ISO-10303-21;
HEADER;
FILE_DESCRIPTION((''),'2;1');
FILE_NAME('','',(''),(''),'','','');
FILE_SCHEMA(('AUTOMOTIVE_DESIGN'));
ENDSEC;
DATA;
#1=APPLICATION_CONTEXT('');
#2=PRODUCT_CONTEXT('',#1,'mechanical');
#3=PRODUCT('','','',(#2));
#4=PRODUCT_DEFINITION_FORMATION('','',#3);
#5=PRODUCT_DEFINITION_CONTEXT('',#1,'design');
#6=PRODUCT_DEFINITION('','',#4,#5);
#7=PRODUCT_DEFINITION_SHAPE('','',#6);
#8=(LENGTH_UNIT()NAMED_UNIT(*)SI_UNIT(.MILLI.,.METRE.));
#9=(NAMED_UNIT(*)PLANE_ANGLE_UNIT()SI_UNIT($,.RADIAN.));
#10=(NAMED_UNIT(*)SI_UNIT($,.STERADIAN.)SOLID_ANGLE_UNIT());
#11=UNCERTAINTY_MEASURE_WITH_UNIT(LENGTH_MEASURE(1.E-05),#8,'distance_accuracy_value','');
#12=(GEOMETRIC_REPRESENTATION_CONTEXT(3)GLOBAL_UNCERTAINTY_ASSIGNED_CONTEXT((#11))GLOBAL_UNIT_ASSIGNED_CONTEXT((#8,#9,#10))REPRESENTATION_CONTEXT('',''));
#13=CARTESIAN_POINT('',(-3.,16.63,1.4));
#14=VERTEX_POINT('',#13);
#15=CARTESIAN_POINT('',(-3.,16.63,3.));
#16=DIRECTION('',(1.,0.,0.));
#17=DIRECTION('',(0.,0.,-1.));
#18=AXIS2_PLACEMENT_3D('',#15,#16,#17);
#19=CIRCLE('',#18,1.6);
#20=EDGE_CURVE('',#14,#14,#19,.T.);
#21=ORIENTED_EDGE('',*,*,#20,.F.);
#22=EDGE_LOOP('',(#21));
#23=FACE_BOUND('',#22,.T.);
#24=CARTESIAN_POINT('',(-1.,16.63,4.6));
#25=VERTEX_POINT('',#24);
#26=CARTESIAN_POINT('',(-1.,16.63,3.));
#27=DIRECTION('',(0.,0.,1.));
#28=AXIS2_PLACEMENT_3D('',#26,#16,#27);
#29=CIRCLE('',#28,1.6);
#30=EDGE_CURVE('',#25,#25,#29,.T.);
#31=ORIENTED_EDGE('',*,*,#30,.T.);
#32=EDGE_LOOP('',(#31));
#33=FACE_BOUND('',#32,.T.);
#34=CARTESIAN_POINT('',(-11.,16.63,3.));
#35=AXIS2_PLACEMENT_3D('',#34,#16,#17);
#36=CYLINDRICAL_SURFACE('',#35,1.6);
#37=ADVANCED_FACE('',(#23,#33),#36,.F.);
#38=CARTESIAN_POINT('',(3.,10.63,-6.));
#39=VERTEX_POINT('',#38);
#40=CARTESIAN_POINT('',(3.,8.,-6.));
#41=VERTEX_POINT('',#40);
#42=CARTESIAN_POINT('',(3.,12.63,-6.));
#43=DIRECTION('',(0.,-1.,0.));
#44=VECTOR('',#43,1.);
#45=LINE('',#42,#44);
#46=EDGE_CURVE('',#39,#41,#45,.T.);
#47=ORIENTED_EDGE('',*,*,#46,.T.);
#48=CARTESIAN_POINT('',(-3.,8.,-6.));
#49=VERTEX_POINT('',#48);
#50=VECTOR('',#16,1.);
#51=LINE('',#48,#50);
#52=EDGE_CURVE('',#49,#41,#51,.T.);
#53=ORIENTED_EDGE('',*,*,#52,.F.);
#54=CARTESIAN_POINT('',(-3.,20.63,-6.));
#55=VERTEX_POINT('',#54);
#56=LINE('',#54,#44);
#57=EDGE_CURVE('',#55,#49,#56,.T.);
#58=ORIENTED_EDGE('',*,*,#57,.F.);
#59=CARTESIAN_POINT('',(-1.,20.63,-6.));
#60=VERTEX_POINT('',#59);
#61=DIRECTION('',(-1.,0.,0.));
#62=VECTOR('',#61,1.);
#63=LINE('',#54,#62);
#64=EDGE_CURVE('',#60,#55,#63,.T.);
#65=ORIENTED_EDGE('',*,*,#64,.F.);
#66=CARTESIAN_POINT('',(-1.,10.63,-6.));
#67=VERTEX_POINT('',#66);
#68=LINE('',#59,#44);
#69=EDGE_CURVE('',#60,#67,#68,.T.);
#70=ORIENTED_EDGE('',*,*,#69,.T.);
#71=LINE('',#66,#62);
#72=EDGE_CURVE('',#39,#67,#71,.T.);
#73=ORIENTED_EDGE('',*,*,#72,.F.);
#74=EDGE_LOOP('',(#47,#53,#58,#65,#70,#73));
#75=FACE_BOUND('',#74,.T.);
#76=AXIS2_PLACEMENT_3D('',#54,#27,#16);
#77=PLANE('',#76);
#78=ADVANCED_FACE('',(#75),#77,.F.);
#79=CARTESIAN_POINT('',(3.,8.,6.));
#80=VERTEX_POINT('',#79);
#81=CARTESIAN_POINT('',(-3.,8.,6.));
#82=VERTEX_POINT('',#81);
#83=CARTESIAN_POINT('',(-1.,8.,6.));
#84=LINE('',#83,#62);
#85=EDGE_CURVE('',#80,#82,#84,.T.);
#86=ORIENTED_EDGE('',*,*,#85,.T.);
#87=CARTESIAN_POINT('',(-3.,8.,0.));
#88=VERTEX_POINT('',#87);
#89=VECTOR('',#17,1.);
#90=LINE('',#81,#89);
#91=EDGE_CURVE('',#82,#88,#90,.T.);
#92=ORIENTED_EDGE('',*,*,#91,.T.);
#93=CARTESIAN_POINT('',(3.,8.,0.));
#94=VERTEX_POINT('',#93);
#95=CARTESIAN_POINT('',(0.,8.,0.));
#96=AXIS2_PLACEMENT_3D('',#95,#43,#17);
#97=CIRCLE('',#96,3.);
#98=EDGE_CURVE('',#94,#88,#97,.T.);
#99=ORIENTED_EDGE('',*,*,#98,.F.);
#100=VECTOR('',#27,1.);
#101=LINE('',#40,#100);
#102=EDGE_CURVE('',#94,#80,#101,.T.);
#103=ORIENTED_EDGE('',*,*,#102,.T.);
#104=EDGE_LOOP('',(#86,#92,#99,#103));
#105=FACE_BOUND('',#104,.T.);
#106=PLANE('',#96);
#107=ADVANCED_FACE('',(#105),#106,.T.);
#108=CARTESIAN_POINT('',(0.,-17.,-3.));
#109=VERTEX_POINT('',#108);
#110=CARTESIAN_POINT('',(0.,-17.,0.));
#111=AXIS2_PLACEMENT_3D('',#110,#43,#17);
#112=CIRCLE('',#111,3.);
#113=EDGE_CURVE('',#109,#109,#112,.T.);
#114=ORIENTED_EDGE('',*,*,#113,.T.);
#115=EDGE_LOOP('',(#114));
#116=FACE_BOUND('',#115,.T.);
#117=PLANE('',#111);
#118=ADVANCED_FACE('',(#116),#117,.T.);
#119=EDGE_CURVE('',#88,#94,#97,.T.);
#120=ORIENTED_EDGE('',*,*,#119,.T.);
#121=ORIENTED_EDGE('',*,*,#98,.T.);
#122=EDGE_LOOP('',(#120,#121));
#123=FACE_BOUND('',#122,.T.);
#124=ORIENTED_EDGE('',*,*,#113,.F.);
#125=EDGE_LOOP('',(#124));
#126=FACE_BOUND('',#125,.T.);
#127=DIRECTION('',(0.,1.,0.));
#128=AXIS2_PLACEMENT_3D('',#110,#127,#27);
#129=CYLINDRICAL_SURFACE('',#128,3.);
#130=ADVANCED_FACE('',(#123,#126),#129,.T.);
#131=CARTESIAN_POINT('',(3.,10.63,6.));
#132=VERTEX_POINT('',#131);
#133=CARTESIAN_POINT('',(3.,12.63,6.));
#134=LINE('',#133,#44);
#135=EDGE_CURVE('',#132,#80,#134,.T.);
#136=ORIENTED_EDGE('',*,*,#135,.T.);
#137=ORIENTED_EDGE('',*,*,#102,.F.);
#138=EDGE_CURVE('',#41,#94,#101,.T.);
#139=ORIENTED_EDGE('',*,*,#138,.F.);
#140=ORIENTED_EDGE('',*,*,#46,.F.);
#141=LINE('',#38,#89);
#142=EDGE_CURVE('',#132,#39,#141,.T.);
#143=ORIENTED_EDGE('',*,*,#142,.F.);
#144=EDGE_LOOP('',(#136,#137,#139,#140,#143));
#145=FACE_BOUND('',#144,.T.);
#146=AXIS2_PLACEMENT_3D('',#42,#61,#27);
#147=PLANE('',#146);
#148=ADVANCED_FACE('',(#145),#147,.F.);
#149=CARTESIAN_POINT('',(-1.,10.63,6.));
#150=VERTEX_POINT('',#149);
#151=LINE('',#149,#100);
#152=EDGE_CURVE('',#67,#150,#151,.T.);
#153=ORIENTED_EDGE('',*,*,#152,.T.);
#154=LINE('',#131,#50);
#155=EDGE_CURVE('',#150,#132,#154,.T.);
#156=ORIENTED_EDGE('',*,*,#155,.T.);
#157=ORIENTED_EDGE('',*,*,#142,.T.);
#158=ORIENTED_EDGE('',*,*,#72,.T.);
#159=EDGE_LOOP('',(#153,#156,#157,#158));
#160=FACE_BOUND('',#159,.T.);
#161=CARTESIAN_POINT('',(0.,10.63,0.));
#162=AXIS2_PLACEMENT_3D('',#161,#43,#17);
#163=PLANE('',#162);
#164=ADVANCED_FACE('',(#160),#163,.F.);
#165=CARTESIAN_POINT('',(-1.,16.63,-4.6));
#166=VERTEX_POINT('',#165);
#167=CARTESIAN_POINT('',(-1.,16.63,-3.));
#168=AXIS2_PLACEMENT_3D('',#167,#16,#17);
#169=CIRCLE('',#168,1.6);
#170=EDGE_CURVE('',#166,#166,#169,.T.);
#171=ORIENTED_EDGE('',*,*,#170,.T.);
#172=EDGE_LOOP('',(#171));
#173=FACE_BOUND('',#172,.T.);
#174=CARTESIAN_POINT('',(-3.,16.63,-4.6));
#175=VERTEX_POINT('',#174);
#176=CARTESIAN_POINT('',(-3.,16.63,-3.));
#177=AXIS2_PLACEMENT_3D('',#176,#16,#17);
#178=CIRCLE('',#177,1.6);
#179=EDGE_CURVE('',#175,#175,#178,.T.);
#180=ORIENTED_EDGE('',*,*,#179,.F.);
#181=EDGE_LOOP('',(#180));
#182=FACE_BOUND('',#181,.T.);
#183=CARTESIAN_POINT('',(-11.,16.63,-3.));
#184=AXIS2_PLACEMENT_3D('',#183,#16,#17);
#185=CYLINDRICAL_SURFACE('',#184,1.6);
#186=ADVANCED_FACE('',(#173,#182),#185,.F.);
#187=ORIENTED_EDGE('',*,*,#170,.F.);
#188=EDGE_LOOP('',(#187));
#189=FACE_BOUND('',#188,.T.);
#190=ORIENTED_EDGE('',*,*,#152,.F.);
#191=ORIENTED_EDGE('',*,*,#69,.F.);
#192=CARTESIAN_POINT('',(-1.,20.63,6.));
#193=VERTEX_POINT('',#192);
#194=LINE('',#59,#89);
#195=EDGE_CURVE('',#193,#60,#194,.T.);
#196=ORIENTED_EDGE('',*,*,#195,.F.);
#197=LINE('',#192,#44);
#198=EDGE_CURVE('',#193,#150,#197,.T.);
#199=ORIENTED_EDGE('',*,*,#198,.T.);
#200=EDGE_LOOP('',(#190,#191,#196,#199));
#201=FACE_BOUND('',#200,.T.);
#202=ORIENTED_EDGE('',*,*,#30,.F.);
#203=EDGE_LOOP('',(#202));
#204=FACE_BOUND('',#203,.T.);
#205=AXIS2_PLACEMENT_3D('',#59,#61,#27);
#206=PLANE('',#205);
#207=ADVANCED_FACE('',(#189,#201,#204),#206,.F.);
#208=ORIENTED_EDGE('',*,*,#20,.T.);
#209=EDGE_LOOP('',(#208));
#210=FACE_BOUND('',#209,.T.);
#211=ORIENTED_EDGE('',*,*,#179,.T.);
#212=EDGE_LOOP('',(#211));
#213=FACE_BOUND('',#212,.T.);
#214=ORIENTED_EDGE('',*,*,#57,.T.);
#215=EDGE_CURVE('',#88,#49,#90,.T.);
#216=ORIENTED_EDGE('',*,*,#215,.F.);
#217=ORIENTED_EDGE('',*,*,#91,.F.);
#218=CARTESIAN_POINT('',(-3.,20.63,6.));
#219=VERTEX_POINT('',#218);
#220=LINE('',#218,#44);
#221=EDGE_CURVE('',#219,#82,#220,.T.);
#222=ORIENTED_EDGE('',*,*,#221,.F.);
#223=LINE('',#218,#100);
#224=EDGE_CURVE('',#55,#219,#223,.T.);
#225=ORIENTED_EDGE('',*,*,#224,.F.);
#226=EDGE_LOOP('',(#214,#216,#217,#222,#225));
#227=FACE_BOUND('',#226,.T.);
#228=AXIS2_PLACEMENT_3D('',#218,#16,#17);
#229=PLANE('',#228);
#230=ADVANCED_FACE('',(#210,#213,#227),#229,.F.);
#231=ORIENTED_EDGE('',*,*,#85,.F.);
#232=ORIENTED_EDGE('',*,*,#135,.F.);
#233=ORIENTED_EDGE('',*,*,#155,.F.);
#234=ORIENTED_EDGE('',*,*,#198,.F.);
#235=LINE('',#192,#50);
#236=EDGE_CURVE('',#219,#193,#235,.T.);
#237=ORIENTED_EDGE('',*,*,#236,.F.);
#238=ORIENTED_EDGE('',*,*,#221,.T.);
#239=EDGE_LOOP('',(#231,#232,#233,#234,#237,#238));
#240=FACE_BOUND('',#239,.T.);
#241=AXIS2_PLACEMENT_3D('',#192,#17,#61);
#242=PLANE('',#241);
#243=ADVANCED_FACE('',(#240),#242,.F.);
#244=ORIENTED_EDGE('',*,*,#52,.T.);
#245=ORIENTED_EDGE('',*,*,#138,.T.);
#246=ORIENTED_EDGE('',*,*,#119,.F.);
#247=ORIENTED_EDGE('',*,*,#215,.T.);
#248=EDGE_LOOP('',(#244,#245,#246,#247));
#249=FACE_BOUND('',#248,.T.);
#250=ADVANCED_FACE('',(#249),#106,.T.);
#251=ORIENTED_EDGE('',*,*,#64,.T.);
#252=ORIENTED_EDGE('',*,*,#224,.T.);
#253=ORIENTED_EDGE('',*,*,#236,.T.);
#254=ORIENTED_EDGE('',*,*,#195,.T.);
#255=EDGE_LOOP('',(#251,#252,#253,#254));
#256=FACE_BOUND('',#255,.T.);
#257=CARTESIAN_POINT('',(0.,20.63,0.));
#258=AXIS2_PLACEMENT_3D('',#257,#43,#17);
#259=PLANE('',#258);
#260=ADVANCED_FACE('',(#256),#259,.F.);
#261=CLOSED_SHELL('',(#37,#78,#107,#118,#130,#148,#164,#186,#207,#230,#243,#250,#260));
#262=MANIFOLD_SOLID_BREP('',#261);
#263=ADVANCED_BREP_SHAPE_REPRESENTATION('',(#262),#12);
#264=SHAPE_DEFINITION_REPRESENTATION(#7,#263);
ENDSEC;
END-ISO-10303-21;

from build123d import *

# Parameters (mm, degrees)
SKETCH_1_R          = 12.25
SKETCH_1_R_2        = 1.25
EXTRUDE_1_DEPTH     = 2
SKETCH_2_R          = 3
EXTRUDE_2_DEPTH     = 10.63
SKETCH_3_W          = 2
SKETCH_3_H          = 12
EXTRUDE_3_DEPTH     = 8
SKETCH_5_R          = 1.6
CUT_EXTRUDE_1_DEPTH = 10
SKETCH_6_W          = 6
SKETCH_6_H          = 12
EXTRUDE_4_DEPTH     = 10.63
SKETCH_7_W          = 4
SKETCH_7_H          = 12
CUT_EXTRUDE_2_DEPTH = 2
SKETCH_8_R          = 12.25
CUT_EXTRUDE_3_DEPTH = 8
SKETCH_9_R          = 3
EXTRUDE_5_DEPTH     = 25


with BuildPart() as part:
    # 草图1 → 凸台-拉伸1 (new body)
    with BuildSketch(Plane(origin=(0, 0, 0), x_dir=(1, 0, 0), z_dir=(0, 1, 0))):
        Circle(SKETCH_1_R)
        with Locations((8, 0)):
            Circle(SKETCH_1_R_2, mode=Mode.SUBTRACT)
        with Locations((0, -8)):
            Circle(SKETCH_1_R_2, mode=Mode.SUBTRACT)
        with Locations((-8, 0)):
            Circle(SKETCH_1_R_2, mode=Mode.SUBTRACT)
        with Locations((0, 8)):
            Circle(SKETCH_1_R_2, mode=Mode.SUBTRACT)
    extrude(amount=EXTRUDE_1_DEPTH)

    # 草图2 → 凸台-拉伸2 (add)
    with BuildSketch(Plane(origin=(0, 2, 0), x_dir=(1, 0, 0), z_dir=(0, 1, 0))):
        Circle(SKETCH_2_R)
    extrude(amount=EXTRUDE_2_DEPTH)

    # 草图3 → 凸台-拉伸3 (add)
    with BuildSketch(Plane(origin=(0, 12.63, 0), x_dir=(1, 0, 0), z_dir=(0, 1, 0))):
        with Locations((-2, 0)):
            Rectangle(SKETCH_3_W, SKETCH_3_H)
    extrude(amount=EXTRUDE_3_DEPTH)

    # 草图5 → 切除-拉伸1 (cut)
    with BuildSketch(Plane(origin=(-1, 0, 0), x_dir=(0, 0, -1), z_dir=(1, 0, 0))):
        with Locations((3, 16.63)):
            Circle(SKETCH_5_R)
        with Locations((-3, 16.63)):
            Circle(SKETCH_5_R)
    extrude(amount=-CUT_EXTRUDE_1_DEPTH, mode=Mode.SUBTRACT)

    # 草图6 → 凸台-拉伸4 (add)
    with BuildSketch(Plane(origin=(0, 2, 0), x_dir=(1, 0, 0), z_dir=(0, 1, 0))):
        Rectangle(SKETCH_6_W, SKETCH_6_H)
    extrude(amount=EXTRUDE_4_DEPTH)

    # 草图7 → 切除-拉伸2 (cut)
    with BuildSketch(Plane(origin=(0, 12.63, 0), x_dir=(1, 0, 0), z_dir=(0, 1, 0))):
        with Locations((1, 0)):
            Rectangle(SKETCH_7_W, SKETCH_7_H)
    extrude(amount=-CUT_EXTRUDE_2_DEPTH, mode=Mode.SUBTRACT)

    # 草图8 → 切除-拉伸3 (cut)
    with BuildSketch(Plane.XZ):
        Circle(SKETCH_8_R)
    extrude(amount=-CUT_EXTRUDE_3_DEPTH, mode=Mode.SUBTRACT)

    # 草图9 → 凸台-拉伸5 (add)
    with BuildSketch(Plane.XZ.offset(-8)):
        Circle(SKETCH_9_R)
    extrude(amount=EXTRUDE_5_DEPTH)


solid = part.part
